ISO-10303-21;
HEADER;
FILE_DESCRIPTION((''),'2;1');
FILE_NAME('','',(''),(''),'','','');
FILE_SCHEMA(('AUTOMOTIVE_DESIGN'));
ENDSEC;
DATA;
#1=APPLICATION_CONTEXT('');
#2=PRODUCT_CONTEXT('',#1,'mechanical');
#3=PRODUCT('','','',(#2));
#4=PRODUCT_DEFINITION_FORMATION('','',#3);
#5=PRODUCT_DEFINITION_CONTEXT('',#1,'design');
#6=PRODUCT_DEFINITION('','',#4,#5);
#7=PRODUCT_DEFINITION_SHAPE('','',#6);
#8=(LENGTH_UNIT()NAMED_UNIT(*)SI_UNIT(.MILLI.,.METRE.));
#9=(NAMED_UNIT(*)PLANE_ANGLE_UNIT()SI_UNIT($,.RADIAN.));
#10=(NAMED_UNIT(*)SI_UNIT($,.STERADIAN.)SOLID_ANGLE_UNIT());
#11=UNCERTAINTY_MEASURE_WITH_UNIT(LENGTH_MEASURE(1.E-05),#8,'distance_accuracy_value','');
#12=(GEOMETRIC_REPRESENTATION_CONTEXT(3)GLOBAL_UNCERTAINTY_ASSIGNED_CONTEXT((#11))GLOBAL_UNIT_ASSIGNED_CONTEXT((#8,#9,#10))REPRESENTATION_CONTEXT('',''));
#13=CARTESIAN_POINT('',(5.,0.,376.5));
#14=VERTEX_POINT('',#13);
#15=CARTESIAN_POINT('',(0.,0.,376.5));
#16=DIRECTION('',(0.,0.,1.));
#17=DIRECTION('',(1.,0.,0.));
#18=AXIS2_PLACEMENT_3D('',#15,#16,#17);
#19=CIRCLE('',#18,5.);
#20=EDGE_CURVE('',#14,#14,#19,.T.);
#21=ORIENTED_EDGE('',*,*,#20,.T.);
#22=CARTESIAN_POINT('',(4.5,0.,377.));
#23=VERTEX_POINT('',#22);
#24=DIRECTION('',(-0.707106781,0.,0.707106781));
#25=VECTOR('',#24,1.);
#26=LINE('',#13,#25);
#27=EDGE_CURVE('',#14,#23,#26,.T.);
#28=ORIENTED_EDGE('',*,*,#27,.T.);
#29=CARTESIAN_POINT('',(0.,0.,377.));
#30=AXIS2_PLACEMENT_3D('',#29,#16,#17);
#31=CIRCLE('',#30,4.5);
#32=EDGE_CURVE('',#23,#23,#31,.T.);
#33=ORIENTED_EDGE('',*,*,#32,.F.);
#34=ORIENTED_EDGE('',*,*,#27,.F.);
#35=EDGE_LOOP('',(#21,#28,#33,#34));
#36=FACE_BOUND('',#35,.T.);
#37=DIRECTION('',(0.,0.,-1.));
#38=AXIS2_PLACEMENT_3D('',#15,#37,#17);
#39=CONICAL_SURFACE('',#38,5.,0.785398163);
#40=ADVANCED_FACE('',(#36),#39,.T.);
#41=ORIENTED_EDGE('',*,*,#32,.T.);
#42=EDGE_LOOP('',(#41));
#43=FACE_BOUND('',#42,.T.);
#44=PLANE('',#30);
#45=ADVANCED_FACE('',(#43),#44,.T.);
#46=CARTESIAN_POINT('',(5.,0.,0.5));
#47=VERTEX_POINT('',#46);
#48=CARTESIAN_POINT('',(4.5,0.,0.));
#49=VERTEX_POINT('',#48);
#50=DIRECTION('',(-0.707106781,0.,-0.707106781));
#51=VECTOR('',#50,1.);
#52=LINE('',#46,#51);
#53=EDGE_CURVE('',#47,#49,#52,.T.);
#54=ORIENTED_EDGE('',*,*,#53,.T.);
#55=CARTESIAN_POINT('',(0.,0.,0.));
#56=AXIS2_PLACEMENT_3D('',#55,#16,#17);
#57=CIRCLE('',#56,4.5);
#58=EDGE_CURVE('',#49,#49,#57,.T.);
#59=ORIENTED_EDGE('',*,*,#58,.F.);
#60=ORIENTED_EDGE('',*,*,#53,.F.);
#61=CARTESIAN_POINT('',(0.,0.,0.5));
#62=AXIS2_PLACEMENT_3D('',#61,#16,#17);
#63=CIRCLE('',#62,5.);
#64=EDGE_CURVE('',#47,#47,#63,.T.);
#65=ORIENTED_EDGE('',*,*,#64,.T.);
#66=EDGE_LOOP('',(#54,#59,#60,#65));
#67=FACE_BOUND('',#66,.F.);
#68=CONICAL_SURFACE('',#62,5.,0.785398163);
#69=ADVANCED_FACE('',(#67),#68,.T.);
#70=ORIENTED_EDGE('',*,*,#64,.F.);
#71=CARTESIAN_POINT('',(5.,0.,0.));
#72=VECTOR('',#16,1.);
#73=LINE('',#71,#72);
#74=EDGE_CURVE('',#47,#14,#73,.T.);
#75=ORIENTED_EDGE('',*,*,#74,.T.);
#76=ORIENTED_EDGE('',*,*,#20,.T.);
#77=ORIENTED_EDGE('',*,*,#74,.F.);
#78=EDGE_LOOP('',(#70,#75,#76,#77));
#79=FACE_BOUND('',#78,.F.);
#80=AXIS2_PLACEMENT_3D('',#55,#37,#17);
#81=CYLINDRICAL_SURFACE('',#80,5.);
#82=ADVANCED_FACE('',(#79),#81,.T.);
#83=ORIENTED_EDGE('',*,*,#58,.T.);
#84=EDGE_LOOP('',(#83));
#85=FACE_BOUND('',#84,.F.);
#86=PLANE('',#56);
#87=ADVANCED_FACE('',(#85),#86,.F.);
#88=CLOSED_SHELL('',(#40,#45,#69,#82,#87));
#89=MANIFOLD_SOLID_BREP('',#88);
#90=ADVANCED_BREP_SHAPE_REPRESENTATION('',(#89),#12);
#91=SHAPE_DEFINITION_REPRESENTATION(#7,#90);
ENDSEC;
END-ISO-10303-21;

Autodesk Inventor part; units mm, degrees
ref_plane "YZ Plane" through (0, 0, 0) normal (1, 0, 0) x (0, 1, 0)
ref_plane "XZ Plane" through (0, 0, 0) normal (0, 1, 0) x (-1, 0, 0)
ref_plane "XY Plane" through (0, 0, 0) normal (0, 0, 1) x (1, 0, 0)
sketch "Sketch1" plane through (0, 0, 0) normal (0, 0, 1) x (1, 0, 0)
  circle A0 centre (0, 0) radius 5
  dimension "d0" = 10
extrude "Extrusion1" add sketch "Sketch1" along normal blind 377
chamfer "Chamfer1" distance 0.5 angle 45 2 edges at (-5, 0, 377) (-5, 0, 0)
properties part number "0005-10-1007 Bara rectificata"
